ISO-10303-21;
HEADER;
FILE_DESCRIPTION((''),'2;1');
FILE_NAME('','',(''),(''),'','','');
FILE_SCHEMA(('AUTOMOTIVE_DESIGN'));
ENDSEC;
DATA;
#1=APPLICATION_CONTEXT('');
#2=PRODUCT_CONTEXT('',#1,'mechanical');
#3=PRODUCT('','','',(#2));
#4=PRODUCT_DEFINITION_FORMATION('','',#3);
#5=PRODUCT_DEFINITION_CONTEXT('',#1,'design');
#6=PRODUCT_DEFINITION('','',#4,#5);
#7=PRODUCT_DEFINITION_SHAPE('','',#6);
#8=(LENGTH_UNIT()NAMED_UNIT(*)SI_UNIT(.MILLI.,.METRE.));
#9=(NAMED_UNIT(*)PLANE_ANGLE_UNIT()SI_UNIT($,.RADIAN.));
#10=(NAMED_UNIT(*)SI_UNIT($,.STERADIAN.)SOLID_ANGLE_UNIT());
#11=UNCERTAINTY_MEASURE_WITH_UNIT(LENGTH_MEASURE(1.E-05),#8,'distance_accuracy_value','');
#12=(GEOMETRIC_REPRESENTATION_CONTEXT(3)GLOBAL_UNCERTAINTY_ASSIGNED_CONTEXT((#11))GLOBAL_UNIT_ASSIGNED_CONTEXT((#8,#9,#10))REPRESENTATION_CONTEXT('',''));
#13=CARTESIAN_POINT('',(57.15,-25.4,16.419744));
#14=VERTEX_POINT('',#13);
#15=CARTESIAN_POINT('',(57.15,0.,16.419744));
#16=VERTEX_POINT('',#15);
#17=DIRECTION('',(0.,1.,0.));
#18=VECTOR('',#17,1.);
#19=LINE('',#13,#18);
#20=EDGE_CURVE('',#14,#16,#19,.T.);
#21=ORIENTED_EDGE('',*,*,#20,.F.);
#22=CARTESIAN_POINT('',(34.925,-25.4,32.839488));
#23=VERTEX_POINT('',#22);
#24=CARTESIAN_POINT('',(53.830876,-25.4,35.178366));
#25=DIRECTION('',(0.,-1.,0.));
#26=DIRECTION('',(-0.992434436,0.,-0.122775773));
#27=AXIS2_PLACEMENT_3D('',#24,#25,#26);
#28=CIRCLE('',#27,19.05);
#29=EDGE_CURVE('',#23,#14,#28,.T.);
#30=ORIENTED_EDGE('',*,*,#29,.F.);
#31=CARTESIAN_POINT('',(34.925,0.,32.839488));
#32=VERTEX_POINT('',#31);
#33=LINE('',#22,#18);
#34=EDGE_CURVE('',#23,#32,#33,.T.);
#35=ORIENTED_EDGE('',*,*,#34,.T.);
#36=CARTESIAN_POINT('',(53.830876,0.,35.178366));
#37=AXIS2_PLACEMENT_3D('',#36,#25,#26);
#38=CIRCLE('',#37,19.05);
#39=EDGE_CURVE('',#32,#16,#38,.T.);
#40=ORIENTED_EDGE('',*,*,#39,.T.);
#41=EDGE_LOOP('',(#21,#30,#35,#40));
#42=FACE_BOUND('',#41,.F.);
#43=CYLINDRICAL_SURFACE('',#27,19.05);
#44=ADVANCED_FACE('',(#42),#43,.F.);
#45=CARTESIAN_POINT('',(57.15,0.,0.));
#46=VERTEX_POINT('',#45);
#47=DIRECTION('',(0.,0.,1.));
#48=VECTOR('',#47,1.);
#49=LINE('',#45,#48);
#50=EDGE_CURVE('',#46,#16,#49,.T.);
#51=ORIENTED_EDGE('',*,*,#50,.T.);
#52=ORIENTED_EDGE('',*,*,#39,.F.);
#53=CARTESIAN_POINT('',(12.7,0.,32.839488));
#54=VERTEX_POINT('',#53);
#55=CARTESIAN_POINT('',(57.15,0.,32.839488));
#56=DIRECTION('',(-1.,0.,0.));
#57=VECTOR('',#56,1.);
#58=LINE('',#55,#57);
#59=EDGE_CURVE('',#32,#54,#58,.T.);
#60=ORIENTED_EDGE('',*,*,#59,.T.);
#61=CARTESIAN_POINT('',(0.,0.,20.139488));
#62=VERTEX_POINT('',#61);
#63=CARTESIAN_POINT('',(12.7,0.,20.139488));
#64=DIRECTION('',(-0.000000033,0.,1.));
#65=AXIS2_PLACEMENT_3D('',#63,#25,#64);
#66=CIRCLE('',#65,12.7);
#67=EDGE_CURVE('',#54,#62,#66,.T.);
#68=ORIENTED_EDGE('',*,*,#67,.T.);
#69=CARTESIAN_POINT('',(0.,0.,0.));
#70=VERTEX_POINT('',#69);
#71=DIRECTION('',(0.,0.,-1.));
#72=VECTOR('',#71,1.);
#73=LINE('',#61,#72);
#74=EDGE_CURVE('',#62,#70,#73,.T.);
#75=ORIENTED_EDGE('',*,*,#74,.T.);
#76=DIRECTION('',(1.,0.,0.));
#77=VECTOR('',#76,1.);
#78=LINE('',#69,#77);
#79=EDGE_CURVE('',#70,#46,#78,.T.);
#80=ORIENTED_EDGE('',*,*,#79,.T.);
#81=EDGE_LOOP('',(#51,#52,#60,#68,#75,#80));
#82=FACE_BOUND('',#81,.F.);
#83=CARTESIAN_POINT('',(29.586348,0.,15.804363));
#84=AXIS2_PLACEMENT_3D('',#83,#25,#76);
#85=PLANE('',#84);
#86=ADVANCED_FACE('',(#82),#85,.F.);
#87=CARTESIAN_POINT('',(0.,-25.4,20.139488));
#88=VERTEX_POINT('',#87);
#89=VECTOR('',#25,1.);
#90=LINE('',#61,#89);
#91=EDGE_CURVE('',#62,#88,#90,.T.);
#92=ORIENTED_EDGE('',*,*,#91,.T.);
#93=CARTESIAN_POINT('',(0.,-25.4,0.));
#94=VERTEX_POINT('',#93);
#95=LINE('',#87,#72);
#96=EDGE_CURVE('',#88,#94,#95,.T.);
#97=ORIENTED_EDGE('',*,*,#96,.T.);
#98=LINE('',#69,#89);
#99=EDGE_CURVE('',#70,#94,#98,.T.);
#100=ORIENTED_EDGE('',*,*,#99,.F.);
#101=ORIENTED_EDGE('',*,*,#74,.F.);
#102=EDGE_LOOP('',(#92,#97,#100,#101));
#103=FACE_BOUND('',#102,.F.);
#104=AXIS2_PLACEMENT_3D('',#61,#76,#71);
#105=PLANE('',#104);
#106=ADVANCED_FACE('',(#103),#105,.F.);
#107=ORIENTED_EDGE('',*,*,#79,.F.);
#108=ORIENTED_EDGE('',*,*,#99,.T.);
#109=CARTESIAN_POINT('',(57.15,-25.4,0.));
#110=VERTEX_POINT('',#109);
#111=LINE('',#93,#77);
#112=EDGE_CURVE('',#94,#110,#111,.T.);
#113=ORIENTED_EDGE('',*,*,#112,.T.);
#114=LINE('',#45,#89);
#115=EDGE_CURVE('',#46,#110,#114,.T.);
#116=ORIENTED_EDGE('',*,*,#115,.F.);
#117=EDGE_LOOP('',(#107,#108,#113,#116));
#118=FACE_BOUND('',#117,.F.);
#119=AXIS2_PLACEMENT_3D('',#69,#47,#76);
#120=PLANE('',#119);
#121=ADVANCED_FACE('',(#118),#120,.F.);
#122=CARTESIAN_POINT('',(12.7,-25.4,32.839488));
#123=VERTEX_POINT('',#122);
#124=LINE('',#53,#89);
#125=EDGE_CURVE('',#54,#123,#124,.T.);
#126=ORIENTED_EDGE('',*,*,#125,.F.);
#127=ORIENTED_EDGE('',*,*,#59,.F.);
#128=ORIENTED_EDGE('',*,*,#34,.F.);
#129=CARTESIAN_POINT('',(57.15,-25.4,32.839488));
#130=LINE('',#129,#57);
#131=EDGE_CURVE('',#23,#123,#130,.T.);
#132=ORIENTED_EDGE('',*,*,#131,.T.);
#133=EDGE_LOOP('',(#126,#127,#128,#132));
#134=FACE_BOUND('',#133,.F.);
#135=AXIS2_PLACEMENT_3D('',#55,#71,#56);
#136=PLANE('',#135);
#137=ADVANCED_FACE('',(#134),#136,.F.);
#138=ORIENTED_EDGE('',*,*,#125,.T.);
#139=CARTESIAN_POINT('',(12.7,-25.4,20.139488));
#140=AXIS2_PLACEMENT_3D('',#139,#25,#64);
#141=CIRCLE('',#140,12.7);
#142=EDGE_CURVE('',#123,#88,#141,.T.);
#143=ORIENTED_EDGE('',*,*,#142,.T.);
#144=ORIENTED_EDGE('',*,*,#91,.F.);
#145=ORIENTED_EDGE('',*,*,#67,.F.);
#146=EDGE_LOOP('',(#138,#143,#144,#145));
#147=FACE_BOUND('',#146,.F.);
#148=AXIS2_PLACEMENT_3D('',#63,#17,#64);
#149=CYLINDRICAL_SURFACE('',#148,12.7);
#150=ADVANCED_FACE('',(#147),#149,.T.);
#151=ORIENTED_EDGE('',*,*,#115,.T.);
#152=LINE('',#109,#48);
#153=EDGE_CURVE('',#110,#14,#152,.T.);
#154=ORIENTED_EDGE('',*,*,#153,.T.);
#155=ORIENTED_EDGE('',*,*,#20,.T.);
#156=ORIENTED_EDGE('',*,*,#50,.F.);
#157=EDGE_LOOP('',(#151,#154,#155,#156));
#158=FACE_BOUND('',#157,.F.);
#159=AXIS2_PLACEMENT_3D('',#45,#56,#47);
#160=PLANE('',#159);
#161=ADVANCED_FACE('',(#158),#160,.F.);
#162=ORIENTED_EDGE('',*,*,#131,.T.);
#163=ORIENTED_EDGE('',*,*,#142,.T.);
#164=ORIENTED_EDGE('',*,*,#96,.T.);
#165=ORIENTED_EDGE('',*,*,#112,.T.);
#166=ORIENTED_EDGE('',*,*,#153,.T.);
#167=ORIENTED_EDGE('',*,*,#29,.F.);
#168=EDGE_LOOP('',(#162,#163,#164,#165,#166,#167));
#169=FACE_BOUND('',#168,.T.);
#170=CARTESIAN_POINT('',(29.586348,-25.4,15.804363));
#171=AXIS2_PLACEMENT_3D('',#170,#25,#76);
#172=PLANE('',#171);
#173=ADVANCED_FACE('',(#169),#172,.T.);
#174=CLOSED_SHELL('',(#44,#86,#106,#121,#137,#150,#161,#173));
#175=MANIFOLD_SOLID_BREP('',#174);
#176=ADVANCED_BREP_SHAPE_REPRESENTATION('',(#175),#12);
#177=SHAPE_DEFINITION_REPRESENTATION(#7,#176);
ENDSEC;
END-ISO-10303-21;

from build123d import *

# Parameters (mm, degrees)
F1_DEPTH = 25.4
F3_DEPTH = 25.4


with BuildPart() as f1:
    # F0 (on Front) → F1 (new body)
    with BuildSketch(Plane.XZ):
        with BuildLine():
            Line((0, 20.139488), (0, 0))
            Line((0, 0), (57.15, 0))
            Line((57.15, 0), (57.15, 32.839488))
            Line((57.15, 32.839488), (12.7, 32.839488))
            ThreePointArc((12.7, 32.839488), (3.719744, 29.119744), (0, 20.139488))
        make_face()
    extrude(amount=F1_DEPTH)

    # F2 (on face) → F3 (cut)
    with BuildSketch(Plane.XZ.offset(25.4)):
        with BuildLine():
            Line((57.15, 32.839488), (34.925, 32.839488))
            ThreePointArc((34.925, 32.839488), (42.511039, 19.856363), (57.15, 16.419744))
            Line((57.15, 16.419744), (57.15, 32.839488))
        make_face()
    extrude(amount=-F3_DEPTH, mode=Mode.SUBTRACT)


solid = f1.part
